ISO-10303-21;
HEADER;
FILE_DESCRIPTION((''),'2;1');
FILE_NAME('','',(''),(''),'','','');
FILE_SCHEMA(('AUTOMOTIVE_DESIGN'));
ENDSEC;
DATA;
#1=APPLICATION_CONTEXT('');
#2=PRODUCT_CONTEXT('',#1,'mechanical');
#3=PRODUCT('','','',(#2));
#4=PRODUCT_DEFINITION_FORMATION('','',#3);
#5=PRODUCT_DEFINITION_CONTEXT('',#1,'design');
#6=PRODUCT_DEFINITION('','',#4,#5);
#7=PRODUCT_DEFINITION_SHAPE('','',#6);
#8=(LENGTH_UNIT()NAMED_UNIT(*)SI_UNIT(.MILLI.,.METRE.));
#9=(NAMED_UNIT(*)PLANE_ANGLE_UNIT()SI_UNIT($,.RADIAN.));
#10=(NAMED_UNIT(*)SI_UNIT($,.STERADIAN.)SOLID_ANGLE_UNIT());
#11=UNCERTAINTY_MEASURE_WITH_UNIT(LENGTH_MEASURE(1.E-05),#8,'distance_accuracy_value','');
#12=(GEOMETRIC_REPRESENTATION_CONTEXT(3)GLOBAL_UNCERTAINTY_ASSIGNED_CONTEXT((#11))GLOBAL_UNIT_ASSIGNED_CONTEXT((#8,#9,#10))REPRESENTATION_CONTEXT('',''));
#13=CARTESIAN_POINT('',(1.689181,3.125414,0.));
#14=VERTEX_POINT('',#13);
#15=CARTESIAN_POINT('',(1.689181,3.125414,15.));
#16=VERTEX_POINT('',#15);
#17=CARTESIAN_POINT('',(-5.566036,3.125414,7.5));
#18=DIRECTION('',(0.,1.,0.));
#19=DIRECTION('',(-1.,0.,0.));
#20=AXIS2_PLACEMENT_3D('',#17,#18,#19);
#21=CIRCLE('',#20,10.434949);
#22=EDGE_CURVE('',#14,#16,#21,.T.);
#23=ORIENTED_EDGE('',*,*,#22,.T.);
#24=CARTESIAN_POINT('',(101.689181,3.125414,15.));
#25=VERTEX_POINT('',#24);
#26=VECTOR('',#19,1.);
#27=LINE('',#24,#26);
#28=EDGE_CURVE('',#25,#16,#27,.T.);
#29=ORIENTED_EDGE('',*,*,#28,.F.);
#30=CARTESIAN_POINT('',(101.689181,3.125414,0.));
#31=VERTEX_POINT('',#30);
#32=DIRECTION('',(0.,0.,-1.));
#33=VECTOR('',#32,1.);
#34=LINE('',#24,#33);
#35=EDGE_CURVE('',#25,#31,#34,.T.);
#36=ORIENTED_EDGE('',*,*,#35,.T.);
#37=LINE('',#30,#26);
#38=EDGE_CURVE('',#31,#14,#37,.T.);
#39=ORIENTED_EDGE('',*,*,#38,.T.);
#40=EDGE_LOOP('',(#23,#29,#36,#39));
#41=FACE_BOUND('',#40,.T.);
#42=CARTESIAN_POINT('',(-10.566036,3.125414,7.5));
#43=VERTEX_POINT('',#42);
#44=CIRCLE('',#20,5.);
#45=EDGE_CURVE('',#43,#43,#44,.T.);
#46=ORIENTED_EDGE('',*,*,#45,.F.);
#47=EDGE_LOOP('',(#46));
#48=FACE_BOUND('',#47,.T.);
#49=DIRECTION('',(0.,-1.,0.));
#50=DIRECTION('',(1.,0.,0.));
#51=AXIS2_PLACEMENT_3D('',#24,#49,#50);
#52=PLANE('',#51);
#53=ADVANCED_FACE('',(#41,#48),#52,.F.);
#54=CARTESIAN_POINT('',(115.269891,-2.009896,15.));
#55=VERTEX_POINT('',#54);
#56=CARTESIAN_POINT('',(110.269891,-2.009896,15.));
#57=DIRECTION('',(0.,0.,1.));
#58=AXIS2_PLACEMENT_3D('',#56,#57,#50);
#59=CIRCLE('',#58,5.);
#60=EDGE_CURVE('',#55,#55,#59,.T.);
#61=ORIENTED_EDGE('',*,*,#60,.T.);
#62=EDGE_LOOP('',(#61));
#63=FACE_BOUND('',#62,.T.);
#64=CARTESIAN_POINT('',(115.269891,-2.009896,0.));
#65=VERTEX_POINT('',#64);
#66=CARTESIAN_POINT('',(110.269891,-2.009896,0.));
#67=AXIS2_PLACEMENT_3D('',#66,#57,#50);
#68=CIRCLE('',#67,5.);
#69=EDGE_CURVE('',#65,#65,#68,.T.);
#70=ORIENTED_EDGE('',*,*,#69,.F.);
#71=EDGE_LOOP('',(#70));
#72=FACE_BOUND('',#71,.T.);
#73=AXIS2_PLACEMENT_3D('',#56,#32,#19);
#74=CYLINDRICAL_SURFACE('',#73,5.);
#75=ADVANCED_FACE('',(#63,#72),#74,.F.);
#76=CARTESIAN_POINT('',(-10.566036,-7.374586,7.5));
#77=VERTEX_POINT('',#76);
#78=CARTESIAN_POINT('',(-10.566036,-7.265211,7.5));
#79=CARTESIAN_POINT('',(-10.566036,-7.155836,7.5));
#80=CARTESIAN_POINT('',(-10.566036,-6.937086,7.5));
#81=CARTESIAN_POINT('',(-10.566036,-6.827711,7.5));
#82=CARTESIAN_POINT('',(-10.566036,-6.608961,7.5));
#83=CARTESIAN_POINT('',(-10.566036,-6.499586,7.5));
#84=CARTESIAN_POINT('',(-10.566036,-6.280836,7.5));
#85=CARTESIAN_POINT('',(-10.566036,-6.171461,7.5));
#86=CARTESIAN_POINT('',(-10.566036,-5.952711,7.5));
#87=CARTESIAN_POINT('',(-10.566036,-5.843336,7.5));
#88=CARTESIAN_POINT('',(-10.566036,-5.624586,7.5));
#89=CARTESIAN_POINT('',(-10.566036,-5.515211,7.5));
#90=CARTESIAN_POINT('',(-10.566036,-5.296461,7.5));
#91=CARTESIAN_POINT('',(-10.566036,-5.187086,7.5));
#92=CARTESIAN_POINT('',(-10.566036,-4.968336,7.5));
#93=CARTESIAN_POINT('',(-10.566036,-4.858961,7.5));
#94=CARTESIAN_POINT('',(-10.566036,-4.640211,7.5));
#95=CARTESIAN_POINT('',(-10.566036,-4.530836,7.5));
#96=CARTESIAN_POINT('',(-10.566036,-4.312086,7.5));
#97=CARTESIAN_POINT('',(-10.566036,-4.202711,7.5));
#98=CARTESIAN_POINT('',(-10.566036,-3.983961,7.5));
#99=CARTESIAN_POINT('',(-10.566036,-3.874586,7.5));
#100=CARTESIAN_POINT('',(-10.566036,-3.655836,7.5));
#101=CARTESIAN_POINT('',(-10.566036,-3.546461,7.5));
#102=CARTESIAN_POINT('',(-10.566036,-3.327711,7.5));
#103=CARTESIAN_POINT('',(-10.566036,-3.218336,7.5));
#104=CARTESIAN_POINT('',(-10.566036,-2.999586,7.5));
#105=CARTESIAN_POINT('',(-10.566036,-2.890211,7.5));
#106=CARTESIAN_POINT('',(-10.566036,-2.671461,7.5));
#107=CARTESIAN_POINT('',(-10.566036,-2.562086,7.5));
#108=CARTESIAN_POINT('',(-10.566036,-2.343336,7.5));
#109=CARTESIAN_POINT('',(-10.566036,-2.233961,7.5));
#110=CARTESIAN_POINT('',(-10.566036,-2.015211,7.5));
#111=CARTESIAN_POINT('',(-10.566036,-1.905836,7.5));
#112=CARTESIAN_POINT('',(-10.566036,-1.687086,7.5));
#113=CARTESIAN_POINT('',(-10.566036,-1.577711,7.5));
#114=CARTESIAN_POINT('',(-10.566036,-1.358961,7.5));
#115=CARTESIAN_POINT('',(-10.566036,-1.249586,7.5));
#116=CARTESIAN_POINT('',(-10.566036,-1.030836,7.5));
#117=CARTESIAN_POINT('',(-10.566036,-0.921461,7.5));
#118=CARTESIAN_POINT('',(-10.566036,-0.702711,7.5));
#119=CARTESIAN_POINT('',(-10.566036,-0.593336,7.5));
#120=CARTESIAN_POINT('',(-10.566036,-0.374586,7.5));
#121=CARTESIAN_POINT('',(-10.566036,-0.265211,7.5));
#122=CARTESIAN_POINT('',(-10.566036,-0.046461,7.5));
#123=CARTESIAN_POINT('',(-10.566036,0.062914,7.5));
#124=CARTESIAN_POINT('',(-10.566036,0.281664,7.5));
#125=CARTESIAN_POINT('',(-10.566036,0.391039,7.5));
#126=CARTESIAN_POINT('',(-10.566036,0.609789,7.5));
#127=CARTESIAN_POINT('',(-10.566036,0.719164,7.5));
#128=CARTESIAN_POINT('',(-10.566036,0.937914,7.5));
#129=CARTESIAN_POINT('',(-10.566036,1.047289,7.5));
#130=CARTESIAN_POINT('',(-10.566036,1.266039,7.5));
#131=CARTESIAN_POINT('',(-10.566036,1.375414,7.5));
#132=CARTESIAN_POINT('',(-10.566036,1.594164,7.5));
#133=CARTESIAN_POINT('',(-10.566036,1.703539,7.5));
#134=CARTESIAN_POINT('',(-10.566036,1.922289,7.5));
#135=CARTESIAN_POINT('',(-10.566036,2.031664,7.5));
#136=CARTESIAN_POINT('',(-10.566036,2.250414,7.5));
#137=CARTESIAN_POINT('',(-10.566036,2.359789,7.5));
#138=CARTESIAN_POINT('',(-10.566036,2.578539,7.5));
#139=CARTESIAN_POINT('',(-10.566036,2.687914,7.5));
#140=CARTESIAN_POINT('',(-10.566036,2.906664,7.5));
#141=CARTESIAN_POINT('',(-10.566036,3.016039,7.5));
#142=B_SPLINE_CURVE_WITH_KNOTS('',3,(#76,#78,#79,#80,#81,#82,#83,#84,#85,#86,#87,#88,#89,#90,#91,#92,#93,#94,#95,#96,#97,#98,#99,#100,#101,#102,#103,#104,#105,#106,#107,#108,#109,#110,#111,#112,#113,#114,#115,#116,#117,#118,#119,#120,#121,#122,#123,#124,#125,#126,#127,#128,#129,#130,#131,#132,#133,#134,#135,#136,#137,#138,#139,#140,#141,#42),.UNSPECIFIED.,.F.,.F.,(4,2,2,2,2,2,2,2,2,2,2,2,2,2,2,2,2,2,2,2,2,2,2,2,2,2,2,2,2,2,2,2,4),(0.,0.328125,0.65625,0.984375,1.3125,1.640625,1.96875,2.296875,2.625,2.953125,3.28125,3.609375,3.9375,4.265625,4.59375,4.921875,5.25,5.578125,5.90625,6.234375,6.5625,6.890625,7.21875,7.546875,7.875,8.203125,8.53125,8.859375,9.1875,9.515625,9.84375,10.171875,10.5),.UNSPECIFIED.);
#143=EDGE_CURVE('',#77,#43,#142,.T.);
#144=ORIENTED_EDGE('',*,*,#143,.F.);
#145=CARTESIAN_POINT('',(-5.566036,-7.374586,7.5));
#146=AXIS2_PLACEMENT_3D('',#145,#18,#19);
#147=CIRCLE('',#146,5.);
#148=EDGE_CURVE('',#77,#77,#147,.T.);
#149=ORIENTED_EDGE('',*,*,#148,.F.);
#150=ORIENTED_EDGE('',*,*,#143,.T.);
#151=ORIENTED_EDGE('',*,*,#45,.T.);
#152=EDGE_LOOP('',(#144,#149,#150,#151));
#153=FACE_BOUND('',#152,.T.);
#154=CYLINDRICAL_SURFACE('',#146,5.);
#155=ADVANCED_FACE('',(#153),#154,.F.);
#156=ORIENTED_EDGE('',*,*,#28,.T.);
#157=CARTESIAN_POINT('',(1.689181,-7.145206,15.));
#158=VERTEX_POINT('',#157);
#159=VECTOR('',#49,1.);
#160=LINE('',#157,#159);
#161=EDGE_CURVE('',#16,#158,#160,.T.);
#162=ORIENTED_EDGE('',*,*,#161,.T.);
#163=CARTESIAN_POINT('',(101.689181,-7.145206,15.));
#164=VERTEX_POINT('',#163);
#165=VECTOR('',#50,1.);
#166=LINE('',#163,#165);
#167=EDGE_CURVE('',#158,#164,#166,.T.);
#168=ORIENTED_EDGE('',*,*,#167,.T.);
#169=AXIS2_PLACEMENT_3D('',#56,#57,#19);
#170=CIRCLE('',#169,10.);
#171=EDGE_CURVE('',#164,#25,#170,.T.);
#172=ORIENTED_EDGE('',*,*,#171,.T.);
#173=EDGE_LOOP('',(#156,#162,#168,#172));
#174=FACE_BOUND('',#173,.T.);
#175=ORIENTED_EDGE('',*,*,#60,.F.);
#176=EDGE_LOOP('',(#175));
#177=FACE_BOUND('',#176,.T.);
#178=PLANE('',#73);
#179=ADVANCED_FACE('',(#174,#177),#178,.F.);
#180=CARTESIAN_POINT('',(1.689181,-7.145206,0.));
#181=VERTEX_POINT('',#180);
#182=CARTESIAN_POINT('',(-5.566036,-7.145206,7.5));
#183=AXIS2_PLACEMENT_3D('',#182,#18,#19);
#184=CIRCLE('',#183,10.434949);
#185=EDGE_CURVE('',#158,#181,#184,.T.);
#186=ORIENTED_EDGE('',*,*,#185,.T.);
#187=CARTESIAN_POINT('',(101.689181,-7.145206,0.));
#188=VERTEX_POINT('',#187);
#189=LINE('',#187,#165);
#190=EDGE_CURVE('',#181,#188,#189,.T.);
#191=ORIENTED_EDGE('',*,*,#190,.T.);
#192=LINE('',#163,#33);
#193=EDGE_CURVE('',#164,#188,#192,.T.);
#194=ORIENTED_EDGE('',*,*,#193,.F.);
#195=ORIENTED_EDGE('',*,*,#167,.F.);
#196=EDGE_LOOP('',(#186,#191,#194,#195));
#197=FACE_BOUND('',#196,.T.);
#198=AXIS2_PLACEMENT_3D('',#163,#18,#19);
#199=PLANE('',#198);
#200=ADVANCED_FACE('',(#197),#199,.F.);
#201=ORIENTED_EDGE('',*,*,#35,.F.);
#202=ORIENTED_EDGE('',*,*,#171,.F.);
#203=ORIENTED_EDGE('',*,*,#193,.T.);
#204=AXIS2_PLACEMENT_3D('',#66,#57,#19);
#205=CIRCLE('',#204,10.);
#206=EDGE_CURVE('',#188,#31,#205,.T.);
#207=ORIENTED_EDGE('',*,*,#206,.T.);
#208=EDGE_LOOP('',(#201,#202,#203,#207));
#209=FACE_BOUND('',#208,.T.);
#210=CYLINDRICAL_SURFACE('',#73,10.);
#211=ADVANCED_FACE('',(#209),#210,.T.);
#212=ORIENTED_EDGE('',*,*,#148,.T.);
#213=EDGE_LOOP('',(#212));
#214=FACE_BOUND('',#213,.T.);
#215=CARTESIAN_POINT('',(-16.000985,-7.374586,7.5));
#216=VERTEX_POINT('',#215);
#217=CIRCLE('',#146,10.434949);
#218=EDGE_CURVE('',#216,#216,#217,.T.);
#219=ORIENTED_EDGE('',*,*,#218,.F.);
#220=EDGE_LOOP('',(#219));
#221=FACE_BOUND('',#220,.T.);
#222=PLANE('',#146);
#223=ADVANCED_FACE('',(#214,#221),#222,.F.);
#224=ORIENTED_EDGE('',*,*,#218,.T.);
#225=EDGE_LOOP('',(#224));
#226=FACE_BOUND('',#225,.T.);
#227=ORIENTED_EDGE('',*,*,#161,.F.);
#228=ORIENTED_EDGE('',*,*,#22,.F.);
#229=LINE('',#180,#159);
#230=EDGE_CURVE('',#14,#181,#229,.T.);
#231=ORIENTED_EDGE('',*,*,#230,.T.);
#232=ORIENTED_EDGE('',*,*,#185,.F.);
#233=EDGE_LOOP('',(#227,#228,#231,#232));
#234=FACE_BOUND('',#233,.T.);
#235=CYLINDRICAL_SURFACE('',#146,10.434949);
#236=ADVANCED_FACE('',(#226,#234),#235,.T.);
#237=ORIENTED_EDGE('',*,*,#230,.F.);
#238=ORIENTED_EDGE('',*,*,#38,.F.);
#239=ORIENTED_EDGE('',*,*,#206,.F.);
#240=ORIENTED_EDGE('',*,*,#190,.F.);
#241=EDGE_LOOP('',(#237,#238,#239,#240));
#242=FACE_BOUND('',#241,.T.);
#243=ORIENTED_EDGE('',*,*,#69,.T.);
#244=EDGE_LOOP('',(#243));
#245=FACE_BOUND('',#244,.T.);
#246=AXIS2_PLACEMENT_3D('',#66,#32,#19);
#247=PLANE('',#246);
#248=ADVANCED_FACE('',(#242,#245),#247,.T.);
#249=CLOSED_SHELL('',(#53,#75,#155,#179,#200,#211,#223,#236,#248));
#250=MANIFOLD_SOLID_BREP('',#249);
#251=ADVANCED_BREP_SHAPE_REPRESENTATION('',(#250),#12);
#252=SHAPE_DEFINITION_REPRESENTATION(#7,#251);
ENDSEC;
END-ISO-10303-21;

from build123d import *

# Parameters (mm, degrees)
SKETCH4_R           = 5
BOSS_EXTRUDE6_DEPTH = 15
SKETCH9_R           = 10.43494917
SKETCH9_R_2         = 5
BOSS_EXTRUDE8_DEPTH = 10.5


with BuildPart() as part:
    # Sketch4 → Boss-Extrude6 (new body)
    with BuildSketch(Plane.XY):
        with BuildLine():
            Line((101.689180826, -7.145205758), (1.689180826, -7.145205758))
            Line((1.689180826, -7.145205758), (1.689180826, 3.125413503))
            Line((1.689180826, 3.125413503), (101.689180826, 3.125413503))
            ThreePointArc((101.689180826, 3.125413503), (120.269891461, -2.009896128), (101.689180826, -7.145205758))
        make_face()
        with Locations((110.269891461, -2.009896128)):
            Circle(SKETCH4_R, mode=Mode.SUBTRACT)
    extrude(amount=BOSS_EXTRUDE6_DEPTH)

    # Sketch9 → Boss-Extrude8 (add)
    with BuildSketch(Plane(origin=(0, 3.125413503, 0), x_dir=(1, 0, 0), z_dir=(0, 1, 0))):
        with Locations(Location((-5.566035517, -7.5, 0), (0, 0, 180))):
            Circle(SKETCH9_R)
        with Locations(Location((-5.566035517, -7.5, 0), (0, 0, 180))):
            Circle(SKETCH9_R_2, mode=Mode.SUBTRACT)
    extrude(amount=-BOSS_EXTRUDE8_DEPTH)


solid = part.part
